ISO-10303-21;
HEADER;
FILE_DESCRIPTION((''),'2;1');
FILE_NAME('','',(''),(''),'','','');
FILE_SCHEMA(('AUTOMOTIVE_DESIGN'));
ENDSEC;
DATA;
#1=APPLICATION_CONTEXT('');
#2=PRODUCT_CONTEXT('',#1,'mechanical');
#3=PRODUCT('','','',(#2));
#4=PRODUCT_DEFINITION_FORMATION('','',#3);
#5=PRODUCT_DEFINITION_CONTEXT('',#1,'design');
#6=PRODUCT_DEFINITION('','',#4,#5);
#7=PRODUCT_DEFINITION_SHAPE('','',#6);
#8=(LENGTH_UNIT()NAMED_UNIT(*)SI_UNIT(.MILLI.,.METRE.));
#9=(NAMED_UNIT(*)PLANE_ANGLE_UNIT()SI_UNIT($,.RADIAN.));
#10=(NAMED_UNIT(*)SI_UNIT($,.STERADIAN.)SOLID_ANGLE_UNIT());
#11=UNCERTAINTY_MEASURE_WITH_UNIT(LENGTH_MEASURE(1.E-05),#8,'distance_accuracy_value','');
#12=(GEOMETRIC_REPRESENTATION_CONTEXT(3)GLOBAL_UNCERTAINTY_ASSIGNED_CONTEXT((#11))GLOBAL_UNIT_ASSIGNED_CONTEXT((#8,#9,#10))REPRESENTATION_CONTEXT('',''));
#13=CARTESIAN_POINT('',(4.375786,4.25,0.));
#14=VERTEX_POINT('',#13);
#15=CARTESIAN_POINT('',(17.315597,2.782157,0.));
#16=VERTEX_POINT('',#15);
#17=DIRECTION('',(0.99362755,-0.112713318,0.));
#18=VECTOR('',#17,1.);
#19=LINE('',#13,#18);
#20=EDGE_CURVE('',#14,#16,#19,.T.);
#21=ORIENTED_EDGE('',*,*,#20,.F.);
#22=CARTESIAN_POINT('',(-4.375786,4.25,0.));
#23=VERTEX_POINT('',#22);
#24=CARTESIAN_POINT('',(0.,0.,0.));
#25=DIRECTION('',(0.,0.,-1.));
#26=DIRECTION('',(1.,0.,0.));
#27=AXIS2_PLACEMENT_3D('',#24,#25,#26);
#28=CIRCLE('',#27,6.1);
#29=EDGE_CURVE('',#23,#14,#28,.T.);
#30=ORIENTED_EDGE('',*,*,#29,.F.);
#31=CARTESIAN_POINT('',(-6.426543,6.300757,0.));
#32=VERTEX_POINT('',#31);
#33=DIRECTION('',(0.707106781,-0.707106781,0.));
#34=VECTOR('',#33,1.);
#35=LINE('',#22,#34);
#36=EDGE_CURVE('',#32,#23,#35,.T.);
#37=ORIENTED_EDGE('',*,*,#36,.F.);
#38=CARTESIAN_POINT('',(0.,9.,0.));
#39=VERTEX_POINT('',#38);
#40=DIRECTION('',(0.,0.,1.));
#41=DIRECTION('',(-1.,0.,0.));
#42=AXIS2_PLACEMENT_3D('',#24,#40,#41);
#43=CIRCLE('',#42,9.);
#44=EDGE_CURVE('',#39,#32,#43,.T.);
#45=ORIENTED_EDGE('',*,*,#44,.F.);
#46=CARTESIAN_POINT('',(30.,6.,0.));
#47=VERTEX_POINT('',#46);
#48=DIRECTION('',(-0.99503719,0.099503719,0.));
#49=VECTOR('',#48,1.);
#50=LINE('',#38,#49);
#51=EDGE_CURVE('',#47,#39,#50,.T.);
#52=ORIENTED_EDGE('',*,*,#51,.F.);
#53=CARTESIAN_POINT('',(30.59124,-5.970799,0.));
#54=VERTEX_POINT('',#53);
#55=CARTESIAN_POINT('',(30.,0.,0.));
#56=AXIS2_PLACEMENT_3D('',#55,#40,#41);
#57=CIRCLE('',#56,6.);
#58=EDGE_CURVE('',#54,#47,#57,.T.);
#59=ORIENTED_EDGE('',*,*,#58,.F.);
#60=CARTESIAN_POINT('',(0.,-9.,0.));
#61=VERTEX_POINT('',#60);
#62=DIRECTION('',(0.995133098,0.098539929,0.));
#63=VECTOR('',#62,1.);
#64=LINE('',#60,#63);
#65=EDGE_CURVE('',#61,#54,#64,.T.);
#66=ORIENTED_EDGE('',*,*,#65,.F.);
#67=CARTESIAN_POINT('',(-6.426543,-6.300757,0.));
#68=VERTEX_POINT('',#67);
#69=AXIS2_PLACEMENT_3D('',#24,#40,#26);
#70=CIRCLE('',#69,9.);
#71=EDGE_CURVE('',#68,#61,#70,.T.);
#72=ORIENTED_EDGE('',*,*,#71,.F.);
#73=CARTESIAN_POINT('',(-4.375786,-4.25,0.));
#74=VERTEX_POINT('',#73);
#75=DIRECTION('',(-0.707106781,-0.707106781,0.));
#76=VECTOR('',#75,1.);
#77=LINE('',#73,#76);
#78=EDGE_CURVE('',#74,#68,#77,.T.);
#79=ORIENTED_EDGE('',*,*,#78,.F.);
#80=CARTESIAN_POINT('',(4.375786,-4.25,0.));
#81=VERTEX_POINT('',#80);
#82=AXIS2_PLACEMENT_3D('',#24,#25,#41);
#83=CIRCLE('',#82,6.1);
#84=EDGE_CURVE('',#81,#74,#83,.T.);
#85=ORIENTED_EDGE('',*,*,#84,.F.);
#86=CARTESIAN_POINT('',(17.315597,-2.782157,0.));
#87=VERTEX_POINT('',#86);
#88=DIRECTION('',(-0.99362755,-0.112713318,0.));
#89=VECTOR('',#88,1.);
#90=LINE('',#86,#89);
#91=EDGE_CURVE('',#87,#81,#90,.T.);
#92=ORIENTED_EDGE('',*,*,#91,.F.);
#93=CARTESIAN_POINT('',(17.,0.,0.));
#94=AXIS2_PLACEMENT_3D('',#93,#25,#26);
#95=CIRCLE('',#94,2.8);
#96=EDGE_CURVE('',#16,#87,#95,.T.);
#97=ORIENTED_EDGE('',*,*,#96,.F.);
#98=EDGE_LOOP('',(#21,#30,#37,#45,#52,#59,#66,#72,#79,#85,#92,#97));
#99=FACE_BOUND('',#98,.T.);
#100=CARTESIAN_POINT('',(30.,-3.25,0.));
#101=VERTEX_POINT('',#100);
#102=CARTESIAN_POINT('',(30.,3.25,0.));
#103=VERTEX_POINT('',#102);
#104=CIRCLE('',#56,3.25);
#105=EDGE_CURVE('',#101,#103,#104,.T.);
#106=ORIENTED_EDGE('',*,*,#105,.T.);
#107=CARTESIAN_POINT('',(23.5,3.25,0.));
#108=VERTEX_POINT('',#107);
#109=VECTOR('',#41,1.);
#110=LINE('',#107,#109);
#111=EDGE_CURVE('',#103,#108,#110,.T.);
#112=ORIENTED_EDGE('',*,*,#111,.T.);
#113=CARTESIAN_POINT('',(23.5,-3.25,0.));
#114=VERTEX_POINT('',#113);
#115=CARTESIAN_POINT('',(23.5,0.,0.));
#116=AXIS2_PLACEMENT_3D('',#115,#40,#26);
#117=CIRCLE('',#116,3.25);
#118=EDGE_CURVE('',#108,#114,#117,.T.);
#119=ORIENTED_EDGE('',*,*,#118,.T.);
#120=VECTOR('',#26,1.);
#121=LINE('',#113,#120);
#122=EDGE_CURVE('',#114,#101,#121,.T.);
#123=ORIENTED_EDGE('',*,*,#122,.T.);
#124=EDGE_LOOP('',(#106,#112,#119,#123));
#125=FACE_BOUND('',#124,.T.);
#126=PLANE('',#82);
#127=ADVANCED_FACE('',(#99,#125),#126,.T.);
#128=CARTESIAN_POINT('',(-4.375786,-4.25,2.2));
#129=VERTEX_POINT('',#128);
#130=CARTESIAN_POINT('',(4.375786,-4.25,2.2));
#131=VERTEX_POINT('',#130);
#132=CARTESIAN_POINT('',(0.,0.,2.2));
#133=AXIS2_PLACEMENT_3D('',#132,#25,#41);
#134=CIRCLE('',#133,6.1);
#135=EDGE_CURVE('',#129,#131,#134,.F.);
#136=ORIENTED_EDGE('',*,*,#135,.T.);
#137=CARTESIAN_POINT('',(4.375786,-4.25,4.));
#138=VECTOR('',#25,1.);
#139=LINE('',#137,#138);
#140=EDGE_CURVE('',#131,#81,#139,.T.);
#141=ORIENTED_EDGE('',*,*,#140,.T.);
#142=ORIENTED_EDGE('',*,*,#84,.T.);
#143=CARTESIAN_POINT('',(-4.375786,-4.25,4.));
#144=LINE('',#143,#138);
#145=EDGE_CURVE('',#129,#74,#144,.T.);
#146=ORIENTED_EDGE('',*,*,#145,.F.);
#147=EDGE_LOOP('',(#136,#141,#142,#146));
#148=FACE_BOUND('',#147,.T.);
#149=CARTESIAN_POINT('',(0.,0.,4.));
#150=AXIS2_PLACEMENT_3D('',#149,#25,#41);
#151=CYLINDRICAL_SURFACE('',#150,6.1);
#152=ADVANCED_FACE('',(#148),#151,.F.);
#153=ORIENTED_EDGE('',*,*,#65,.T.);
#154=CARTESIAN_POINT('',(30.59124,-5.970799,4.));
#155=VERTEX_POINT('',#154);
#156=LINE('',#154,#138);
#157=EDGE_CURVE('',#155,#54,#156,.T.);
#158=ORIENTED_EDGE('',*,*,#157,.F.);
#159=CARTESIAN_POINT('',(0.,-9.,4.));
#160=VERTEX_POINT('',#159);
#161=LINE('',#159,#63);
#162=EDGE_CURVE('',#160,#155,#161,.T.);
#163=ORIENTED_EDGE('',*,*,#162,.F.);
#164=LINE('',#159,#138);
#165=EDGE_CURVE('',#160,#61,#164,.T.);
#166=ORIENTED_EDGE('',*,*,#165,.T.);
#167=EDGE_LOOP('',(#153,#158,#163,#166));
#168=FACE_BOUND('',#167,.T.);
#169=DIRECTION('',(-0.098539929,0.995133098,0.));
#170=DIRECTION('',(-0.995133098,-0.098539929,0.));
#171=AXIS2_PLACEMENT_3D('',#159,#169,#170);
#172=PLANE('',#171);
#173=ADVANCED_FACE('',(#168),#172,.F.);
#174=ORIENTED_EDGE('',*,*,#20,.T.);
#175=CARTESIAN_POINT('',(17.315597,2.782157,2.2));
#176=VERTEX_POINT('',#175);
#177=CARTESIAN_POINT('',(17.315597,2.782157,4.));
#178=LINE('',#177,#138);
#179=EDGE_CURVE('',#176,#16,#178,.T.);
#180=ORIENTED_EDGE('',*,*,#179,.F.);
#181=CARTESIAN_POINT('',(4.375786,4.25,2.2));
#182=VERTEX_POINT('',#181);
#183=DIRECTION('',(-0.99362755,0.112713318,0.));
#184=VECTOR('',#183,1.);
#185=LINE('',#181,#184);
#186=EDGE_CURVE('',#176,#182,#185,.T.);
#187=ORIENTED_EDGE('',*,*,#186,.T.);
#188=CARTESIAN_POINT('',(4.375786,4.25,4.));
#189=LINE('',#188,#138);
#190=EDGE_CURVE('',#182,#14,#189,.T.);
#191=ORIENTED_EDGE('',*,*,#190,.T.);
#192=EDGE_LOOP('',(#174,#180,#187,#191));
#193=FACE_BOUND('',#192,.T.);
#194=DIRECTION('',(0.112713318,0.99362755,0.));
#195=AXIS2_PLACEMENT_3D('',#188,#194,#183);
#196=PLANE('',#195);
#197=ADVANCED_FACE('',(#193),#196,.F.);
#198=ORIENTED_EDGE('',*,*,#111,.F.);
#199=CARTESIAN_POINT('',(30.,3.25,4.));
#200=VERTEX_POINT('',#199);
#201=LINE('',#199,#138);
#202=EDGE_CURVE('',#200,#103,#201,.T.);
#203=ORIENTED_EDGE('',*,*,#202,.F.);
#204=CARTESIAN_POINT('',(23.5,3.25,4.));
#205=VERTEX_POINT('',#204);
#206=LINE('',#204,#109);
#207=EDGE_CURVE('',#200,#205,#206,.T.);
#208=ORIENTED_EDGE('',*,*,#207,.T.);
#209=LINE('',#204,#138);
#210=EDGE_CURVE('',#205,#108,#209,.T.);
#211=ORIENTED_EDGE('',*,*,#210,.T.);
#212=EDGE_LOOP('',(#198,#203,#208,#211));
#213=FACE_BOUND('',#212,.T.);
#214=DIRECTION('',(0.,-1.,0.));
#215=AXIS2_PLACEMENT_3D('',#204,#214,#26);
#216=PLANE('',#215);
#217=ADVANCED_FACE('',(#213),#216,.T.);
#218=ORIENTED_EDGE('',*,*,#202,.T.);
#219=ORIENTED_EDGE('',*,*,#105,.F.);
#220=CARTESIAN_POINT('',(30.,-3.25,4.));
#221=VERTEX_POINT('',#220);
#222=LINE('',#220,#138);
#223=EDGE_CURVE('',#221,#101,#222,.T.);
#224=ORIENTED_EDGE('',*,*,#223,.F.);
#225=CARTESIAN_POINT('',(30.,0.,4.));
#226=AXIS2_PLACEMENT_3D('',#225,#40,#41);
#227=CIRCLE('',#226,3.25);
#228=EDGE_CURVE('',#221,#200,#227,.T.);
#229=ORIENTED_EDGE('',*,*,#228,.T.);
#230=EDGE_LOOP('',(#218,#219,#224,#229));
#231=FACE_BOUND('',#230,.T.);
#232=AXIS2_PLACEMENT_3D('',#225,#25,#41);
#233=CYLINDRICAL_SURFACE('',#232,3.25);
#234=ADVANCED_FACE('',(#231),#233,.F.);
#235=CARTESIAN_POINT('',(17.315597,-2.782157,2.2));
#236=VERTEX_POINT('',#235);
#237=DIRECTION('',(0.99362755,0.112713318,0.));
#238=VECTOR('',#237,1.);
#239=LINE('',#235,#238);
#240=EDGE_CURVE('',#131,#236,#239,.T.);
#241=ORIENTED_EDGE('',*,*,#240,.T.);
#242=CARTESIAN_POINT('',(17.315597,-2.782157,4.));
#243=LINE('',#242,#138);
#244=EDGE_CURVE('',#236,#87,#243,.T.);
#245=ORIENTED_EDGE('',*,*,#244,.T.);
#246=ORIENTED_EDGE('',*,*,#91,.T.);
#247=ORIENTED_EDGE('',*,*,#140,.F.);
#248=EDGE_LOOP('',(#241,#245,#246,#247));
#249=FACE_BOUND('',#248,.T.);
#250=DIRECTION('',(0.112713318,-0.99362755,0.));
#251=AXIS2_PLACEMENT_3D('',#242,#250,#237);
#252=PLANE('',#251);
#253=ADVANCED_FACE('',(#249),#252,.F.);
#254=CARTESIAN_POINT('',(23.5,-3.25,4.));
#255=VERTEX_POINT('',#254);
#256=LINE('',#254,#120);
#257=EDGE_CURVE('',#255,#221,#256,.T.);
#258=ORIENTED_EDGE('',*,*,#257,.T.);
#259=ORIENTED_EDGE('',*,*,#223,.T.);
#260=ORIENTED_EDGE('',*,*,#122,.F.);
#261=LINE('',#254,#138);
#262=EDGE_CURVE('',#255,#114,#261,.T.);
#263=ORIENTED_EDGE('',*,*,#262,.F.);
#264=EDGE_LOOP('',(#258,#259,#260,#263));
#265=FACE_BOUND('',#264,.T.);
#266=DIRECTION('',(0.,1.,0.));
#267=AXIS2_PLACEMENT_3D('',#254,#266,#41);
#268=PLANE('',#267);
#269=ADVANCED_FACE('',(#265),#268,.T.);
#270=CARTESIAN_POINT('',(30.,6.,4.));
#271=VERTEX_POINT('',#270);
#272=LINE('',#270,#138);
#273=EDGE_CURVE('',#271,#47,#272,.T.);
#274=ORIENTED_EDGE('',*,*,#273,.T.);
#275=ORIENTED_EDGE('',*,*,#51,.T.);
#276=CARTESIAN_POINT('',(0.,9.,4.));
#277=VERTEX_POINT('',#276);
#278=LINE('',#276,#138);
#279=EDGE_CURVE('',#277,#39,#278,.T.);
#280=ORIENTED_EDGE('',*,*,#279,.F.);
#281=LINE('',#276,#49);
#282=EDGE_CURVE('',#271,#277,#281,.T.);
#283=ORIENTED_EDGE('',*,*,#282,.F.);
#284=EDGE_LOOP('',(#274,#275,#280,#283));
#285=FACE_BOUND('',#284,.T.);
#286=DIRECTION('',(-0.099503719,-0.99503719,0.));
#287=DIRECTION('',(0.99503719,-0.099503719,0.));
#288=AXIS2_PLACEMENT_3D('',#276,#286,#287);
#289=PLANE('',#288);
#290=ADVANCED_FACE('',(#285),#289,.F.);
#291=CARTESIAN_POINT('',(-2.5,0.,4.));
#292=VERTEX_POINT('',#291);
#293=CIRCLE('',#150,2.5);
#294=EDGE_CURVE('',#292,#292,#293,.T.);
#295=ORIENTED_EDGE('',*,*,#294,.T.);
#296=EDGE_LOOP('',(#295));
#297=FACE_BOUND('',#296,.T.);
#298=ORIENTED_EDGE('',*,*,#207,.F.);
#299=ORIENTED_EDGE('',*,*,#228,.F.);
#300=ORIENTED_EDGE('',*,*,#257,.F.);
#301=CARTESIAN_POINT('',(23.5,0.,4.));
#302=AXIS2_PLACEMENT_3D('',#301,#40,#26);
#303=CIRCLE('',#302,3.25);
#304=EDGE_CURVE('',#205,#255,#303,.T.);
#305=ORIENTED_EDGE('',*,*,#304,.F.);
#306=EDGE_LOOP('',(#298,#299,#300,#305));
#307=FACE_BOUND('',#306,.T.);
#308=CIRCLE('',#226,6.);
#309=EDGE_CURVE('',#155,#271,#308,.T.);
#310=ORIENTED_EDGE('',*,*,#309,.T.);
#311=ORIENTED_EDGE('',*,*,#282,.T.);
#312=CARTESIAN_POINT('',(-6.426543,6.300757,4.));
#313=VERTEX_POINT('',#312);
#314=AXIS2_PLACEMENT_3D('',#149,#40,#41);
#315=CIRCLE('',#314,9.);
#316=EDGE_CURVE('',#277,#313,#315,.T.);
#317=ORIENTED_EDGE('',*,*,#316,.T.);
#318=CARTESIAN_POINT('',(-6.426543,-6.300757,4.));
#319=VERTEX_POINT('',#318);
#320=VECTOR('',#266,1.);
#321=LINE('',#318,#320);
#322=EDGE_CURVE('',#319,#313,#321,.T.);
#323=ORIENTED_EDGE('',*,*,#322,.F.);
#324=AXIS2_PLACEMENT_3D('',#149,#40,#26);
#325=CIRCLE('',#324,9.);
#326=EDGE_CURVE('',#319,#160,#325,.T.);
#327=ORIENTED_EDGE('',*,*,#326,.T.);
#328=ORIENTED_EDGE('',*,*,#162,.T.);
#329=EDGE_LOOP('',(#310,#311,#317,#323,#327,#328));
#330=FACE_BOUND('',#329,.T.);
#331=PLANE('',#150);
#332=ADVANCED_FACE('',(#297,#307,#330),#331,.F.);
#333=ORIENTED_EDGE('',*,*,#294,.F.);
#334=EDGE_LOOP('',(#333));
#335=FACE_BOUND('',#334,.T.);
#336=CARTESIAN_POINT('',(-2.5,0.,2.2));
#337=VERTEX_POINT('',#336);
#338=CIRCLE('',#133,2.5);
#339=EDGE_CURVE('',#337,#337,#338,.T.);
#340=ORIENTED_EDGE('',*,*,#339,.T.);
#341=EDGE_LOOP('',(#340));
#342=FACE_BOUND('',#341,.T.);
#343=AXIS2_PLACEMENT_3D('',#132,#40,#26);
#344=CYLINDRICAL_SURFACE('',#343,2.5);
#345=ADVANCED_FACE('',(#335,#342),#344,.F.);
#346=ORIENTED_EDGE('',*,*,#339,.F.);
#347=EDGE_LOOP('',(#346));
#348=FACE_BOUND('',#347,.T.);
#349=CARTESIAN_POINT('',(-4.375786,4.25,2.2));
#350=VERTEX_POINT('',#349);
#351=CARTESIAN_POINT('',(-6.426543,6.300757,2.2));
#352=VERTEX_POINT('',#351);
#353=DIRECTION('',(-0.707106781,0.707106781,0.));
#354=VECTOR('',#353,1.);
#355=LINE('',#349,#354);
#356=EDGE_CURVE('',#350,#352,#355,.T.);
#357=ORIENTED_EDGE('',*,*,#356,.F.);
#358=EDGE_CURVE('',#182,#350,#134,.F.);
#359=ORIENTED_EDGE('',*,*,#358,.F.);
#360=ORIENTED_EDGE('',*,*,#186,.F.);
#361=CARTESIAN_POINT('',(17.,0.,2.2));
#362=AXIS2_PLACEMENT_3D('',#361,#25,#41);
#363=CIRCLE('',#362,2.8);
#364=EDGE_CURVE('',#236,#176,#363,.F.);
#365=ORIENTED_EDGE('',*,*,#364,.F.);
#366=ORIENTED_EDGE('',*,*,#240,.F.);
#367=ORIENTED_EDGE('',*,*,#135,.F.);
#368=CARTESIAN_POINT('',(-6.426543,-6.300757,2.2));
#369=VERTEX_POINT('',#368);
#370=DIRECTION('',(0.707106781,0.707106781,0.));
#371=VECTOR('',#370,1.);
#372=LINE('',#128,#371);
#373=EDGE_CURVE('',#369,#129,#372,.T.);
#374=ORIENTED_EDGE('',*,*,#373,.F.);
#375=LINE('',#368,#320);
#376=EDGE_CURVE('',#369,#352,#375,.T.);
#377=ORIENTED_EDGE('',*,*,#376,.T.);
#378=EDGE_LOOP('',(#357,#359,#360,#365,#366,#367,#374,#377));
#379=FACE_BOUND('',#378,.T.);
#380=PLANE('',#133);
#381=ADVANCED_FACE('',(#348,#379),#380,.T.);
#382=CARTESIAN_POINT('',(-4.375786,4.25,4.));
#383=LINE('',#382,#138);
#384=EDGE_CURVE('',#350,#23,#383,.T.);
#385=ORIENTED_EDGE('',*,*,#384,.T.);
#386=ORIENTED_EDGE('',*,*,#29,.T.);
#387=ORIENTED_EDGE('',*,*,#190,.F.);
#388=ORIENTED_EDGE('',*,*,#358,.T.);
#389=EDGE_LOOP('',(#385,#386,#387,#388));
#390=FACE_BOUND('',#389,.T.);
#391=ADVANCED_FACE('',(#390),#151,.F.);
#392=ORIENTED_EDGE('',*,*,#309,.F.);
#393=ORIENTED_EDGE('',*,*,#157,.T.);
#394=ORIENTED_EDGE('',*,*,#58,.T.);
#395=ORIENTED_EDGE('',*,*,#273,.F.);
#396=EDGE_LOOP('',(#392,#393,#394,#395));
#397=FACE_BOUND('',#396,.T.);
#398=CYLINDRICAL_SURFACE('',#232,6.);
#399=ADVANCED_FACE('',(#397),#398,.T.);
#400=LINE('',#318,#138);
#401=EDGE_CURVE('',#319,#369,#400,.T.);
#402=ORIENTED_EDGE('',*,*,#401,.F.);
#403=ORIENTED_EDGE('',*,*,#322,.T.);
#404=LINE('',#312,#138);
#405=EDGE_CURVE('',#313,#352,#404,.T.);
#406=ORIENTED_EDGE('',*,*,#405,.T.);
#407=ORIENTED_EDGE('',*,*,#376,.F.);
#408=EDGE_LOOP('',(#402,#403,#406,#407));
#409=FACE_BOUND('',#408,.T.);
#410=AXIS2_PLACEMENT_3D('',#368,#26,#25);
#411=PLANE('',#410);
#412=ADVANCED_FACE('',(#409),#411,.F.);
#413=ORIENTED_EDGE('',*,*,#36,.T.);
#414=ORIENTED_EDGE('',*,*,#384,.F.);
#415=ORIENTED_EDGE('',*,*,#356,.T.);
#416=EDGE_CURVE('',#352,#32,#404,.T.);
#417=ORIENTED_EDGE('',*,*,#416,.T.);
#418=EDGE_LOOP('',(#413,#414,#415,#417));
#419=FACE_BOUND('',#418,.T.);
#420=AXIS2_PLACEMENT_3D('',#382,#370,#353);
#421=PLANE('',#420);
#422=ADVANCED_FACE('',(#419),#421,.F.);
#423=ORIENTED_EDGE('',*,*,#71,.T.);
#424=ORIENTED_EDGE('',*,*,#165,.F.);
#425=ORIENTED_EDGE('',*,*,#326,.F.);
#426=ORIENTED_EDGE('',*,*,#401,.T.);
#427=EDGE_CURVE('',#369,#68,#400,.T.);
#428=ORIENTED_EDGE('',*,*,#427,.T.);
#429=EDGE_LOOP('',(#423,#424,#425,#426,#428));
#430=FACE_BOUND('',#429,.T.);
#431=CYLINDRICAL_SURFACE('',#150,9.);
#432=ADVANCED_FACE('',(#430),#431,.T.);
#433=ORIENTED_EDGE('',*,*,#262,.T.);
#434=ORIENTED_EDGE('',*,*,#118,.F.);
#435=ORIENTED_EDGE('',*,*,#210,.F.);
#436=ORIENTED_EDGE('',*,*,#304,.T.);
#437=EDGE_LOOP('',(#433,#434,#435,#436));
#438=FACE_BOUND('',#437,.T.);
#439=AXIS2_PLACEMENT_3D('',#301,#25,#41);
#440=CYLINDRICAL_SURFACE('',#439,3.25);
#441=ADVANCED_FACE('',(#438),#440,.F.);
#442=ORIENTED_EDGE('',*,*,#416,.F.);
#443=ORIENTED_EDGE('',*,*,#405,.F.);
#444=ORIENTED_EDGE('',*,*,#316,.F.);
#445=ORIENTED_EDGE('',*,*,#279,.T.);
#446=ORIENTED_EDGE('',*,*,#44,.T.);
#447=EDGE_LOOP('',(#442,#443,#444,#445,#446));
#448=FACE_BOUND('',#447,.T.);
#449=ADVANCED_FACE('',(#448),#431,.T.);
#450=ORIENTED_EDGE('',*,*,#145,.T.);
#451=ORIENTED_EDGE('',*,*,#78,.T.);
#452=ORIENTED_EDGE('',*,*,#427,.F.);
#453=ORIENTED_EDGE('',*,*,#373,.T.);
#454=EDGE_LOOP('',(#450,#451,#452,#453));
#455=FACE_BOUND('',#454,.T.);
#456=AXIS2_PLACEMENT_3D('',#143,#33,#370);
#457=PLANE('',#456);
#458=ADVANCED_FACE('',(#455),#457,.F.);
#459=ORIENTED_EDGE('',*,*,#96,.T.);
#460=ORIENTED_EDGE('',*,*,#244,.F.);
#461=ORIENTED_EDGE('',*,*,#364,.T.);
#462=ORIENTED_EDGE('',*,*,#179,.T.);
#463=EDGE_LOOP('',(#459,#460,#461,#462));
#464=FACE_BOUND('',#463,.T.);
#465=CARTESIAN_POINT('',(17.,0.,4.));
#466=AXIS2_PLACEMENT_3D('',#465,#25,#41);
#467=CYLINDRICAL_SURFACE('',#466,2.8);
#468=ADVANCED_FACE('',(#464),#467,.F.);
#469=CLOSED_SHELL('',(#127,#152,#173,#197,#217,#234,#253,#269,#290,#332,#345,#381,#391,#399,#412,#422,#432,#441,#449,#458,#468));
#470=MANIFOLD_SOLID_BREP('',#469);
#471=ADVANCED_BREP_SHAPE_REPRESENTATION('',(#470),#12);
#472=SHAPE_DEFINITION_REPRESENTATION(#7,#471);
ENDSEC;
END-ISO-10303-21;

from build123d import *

# Parameters (mm, degrees)
MAIN_DEPTH          = 4
ESQUISSE2_R         = 2.5
BOSS_EXTRUDE1_DEPTH = 1.8


with BuildPart() as part:
    # Esquisse1 → Main (new body)
    with BuildSketch(Plane.XY):
        with BuildLine():
            Line((-4.375785644, 4.25), (-6.426543071, 6.300757427))
            ThreePointArc((-6.426543071, 6.300757427), (-3.48519606, 8.297795395), (0, 9))
            Line((0, 9), (30, 6))
            ThreePointArc((30, 6), (35.9926952, 0.295980134), (30.591239576, -5.970798587))
            Line((30.591239576, -5.970798587), (0, -9))
            ThreePointArc((0, -9), (-3.48519606, -8.297795395), (-6.426543071, -6.300757427))
            Line((-6.426543071, -6.300757427), (-4.375785644, -4.25))
            ThreePointArc((-4.375785644, -4.25), (0, -6.1), (4.375785644, -4.25))
            Line((4.375785644, -4.25), (17.31559729, -2.78215714))
            ThreePointArc((17.31559729, -2.78215714), (19.8, 0), (17.31559729, 2.78215714))
            Line((17.31559729, 2.78215714), (4.375785644, 4.25))
            ThreePointArc((4.375785644, 4.25), (0, 6.1), (-4.375785644, 4.25))
        make_face()
        with BuildLine():
            Line((23.5, 3.25), (30, 3.25))
            ThreePointArc((30, 3.25), (33.25, 0), (30, -3.25))
            Line((30, -3.25), (23.5, -3.25))
            ThreePointArc((23.5, -3.25), (20.25, 0), (23.5, 3.25))
        make_face(mode=Mode.SUBTRACT)
    extrude(amount=MAIN_DEPTH)

    # Esquisse2 → Boss-Extrude1 (add)
    with BuildSketch(Plane(origin=(0, 0, 4), x_dir=(-1, 0, 0), z_dir=(0, 0, -1))):
        with BuildLine():
            Line((0, -9), (-13.303143835, -7.682697966))
            ThreePointArc((-13.303143835, -7.682697966), (-20.25000193, -0.006506175), (-13.303143835, 7.669685617))
            Line((-13.303143835, 7.669685617), (0, 9))
            ThreePointArc((0, 9), (3.48519606, 8.297795395), (6.426543071, 6.300757427))
            Line((6.426543071, 6.300757427), (6.426543071, -6.300757427))
            ThreePointArc((6.426543071, -6.300757427), (3.48519606, -8.297795395), (0, -9))
        make_face()
        Circle(ESQUISSE2_R, mode=Mode.SUBTRACT)
    extrude(amount=BOSS_EXTRUDE1_DEPTH)


solid = part.part
